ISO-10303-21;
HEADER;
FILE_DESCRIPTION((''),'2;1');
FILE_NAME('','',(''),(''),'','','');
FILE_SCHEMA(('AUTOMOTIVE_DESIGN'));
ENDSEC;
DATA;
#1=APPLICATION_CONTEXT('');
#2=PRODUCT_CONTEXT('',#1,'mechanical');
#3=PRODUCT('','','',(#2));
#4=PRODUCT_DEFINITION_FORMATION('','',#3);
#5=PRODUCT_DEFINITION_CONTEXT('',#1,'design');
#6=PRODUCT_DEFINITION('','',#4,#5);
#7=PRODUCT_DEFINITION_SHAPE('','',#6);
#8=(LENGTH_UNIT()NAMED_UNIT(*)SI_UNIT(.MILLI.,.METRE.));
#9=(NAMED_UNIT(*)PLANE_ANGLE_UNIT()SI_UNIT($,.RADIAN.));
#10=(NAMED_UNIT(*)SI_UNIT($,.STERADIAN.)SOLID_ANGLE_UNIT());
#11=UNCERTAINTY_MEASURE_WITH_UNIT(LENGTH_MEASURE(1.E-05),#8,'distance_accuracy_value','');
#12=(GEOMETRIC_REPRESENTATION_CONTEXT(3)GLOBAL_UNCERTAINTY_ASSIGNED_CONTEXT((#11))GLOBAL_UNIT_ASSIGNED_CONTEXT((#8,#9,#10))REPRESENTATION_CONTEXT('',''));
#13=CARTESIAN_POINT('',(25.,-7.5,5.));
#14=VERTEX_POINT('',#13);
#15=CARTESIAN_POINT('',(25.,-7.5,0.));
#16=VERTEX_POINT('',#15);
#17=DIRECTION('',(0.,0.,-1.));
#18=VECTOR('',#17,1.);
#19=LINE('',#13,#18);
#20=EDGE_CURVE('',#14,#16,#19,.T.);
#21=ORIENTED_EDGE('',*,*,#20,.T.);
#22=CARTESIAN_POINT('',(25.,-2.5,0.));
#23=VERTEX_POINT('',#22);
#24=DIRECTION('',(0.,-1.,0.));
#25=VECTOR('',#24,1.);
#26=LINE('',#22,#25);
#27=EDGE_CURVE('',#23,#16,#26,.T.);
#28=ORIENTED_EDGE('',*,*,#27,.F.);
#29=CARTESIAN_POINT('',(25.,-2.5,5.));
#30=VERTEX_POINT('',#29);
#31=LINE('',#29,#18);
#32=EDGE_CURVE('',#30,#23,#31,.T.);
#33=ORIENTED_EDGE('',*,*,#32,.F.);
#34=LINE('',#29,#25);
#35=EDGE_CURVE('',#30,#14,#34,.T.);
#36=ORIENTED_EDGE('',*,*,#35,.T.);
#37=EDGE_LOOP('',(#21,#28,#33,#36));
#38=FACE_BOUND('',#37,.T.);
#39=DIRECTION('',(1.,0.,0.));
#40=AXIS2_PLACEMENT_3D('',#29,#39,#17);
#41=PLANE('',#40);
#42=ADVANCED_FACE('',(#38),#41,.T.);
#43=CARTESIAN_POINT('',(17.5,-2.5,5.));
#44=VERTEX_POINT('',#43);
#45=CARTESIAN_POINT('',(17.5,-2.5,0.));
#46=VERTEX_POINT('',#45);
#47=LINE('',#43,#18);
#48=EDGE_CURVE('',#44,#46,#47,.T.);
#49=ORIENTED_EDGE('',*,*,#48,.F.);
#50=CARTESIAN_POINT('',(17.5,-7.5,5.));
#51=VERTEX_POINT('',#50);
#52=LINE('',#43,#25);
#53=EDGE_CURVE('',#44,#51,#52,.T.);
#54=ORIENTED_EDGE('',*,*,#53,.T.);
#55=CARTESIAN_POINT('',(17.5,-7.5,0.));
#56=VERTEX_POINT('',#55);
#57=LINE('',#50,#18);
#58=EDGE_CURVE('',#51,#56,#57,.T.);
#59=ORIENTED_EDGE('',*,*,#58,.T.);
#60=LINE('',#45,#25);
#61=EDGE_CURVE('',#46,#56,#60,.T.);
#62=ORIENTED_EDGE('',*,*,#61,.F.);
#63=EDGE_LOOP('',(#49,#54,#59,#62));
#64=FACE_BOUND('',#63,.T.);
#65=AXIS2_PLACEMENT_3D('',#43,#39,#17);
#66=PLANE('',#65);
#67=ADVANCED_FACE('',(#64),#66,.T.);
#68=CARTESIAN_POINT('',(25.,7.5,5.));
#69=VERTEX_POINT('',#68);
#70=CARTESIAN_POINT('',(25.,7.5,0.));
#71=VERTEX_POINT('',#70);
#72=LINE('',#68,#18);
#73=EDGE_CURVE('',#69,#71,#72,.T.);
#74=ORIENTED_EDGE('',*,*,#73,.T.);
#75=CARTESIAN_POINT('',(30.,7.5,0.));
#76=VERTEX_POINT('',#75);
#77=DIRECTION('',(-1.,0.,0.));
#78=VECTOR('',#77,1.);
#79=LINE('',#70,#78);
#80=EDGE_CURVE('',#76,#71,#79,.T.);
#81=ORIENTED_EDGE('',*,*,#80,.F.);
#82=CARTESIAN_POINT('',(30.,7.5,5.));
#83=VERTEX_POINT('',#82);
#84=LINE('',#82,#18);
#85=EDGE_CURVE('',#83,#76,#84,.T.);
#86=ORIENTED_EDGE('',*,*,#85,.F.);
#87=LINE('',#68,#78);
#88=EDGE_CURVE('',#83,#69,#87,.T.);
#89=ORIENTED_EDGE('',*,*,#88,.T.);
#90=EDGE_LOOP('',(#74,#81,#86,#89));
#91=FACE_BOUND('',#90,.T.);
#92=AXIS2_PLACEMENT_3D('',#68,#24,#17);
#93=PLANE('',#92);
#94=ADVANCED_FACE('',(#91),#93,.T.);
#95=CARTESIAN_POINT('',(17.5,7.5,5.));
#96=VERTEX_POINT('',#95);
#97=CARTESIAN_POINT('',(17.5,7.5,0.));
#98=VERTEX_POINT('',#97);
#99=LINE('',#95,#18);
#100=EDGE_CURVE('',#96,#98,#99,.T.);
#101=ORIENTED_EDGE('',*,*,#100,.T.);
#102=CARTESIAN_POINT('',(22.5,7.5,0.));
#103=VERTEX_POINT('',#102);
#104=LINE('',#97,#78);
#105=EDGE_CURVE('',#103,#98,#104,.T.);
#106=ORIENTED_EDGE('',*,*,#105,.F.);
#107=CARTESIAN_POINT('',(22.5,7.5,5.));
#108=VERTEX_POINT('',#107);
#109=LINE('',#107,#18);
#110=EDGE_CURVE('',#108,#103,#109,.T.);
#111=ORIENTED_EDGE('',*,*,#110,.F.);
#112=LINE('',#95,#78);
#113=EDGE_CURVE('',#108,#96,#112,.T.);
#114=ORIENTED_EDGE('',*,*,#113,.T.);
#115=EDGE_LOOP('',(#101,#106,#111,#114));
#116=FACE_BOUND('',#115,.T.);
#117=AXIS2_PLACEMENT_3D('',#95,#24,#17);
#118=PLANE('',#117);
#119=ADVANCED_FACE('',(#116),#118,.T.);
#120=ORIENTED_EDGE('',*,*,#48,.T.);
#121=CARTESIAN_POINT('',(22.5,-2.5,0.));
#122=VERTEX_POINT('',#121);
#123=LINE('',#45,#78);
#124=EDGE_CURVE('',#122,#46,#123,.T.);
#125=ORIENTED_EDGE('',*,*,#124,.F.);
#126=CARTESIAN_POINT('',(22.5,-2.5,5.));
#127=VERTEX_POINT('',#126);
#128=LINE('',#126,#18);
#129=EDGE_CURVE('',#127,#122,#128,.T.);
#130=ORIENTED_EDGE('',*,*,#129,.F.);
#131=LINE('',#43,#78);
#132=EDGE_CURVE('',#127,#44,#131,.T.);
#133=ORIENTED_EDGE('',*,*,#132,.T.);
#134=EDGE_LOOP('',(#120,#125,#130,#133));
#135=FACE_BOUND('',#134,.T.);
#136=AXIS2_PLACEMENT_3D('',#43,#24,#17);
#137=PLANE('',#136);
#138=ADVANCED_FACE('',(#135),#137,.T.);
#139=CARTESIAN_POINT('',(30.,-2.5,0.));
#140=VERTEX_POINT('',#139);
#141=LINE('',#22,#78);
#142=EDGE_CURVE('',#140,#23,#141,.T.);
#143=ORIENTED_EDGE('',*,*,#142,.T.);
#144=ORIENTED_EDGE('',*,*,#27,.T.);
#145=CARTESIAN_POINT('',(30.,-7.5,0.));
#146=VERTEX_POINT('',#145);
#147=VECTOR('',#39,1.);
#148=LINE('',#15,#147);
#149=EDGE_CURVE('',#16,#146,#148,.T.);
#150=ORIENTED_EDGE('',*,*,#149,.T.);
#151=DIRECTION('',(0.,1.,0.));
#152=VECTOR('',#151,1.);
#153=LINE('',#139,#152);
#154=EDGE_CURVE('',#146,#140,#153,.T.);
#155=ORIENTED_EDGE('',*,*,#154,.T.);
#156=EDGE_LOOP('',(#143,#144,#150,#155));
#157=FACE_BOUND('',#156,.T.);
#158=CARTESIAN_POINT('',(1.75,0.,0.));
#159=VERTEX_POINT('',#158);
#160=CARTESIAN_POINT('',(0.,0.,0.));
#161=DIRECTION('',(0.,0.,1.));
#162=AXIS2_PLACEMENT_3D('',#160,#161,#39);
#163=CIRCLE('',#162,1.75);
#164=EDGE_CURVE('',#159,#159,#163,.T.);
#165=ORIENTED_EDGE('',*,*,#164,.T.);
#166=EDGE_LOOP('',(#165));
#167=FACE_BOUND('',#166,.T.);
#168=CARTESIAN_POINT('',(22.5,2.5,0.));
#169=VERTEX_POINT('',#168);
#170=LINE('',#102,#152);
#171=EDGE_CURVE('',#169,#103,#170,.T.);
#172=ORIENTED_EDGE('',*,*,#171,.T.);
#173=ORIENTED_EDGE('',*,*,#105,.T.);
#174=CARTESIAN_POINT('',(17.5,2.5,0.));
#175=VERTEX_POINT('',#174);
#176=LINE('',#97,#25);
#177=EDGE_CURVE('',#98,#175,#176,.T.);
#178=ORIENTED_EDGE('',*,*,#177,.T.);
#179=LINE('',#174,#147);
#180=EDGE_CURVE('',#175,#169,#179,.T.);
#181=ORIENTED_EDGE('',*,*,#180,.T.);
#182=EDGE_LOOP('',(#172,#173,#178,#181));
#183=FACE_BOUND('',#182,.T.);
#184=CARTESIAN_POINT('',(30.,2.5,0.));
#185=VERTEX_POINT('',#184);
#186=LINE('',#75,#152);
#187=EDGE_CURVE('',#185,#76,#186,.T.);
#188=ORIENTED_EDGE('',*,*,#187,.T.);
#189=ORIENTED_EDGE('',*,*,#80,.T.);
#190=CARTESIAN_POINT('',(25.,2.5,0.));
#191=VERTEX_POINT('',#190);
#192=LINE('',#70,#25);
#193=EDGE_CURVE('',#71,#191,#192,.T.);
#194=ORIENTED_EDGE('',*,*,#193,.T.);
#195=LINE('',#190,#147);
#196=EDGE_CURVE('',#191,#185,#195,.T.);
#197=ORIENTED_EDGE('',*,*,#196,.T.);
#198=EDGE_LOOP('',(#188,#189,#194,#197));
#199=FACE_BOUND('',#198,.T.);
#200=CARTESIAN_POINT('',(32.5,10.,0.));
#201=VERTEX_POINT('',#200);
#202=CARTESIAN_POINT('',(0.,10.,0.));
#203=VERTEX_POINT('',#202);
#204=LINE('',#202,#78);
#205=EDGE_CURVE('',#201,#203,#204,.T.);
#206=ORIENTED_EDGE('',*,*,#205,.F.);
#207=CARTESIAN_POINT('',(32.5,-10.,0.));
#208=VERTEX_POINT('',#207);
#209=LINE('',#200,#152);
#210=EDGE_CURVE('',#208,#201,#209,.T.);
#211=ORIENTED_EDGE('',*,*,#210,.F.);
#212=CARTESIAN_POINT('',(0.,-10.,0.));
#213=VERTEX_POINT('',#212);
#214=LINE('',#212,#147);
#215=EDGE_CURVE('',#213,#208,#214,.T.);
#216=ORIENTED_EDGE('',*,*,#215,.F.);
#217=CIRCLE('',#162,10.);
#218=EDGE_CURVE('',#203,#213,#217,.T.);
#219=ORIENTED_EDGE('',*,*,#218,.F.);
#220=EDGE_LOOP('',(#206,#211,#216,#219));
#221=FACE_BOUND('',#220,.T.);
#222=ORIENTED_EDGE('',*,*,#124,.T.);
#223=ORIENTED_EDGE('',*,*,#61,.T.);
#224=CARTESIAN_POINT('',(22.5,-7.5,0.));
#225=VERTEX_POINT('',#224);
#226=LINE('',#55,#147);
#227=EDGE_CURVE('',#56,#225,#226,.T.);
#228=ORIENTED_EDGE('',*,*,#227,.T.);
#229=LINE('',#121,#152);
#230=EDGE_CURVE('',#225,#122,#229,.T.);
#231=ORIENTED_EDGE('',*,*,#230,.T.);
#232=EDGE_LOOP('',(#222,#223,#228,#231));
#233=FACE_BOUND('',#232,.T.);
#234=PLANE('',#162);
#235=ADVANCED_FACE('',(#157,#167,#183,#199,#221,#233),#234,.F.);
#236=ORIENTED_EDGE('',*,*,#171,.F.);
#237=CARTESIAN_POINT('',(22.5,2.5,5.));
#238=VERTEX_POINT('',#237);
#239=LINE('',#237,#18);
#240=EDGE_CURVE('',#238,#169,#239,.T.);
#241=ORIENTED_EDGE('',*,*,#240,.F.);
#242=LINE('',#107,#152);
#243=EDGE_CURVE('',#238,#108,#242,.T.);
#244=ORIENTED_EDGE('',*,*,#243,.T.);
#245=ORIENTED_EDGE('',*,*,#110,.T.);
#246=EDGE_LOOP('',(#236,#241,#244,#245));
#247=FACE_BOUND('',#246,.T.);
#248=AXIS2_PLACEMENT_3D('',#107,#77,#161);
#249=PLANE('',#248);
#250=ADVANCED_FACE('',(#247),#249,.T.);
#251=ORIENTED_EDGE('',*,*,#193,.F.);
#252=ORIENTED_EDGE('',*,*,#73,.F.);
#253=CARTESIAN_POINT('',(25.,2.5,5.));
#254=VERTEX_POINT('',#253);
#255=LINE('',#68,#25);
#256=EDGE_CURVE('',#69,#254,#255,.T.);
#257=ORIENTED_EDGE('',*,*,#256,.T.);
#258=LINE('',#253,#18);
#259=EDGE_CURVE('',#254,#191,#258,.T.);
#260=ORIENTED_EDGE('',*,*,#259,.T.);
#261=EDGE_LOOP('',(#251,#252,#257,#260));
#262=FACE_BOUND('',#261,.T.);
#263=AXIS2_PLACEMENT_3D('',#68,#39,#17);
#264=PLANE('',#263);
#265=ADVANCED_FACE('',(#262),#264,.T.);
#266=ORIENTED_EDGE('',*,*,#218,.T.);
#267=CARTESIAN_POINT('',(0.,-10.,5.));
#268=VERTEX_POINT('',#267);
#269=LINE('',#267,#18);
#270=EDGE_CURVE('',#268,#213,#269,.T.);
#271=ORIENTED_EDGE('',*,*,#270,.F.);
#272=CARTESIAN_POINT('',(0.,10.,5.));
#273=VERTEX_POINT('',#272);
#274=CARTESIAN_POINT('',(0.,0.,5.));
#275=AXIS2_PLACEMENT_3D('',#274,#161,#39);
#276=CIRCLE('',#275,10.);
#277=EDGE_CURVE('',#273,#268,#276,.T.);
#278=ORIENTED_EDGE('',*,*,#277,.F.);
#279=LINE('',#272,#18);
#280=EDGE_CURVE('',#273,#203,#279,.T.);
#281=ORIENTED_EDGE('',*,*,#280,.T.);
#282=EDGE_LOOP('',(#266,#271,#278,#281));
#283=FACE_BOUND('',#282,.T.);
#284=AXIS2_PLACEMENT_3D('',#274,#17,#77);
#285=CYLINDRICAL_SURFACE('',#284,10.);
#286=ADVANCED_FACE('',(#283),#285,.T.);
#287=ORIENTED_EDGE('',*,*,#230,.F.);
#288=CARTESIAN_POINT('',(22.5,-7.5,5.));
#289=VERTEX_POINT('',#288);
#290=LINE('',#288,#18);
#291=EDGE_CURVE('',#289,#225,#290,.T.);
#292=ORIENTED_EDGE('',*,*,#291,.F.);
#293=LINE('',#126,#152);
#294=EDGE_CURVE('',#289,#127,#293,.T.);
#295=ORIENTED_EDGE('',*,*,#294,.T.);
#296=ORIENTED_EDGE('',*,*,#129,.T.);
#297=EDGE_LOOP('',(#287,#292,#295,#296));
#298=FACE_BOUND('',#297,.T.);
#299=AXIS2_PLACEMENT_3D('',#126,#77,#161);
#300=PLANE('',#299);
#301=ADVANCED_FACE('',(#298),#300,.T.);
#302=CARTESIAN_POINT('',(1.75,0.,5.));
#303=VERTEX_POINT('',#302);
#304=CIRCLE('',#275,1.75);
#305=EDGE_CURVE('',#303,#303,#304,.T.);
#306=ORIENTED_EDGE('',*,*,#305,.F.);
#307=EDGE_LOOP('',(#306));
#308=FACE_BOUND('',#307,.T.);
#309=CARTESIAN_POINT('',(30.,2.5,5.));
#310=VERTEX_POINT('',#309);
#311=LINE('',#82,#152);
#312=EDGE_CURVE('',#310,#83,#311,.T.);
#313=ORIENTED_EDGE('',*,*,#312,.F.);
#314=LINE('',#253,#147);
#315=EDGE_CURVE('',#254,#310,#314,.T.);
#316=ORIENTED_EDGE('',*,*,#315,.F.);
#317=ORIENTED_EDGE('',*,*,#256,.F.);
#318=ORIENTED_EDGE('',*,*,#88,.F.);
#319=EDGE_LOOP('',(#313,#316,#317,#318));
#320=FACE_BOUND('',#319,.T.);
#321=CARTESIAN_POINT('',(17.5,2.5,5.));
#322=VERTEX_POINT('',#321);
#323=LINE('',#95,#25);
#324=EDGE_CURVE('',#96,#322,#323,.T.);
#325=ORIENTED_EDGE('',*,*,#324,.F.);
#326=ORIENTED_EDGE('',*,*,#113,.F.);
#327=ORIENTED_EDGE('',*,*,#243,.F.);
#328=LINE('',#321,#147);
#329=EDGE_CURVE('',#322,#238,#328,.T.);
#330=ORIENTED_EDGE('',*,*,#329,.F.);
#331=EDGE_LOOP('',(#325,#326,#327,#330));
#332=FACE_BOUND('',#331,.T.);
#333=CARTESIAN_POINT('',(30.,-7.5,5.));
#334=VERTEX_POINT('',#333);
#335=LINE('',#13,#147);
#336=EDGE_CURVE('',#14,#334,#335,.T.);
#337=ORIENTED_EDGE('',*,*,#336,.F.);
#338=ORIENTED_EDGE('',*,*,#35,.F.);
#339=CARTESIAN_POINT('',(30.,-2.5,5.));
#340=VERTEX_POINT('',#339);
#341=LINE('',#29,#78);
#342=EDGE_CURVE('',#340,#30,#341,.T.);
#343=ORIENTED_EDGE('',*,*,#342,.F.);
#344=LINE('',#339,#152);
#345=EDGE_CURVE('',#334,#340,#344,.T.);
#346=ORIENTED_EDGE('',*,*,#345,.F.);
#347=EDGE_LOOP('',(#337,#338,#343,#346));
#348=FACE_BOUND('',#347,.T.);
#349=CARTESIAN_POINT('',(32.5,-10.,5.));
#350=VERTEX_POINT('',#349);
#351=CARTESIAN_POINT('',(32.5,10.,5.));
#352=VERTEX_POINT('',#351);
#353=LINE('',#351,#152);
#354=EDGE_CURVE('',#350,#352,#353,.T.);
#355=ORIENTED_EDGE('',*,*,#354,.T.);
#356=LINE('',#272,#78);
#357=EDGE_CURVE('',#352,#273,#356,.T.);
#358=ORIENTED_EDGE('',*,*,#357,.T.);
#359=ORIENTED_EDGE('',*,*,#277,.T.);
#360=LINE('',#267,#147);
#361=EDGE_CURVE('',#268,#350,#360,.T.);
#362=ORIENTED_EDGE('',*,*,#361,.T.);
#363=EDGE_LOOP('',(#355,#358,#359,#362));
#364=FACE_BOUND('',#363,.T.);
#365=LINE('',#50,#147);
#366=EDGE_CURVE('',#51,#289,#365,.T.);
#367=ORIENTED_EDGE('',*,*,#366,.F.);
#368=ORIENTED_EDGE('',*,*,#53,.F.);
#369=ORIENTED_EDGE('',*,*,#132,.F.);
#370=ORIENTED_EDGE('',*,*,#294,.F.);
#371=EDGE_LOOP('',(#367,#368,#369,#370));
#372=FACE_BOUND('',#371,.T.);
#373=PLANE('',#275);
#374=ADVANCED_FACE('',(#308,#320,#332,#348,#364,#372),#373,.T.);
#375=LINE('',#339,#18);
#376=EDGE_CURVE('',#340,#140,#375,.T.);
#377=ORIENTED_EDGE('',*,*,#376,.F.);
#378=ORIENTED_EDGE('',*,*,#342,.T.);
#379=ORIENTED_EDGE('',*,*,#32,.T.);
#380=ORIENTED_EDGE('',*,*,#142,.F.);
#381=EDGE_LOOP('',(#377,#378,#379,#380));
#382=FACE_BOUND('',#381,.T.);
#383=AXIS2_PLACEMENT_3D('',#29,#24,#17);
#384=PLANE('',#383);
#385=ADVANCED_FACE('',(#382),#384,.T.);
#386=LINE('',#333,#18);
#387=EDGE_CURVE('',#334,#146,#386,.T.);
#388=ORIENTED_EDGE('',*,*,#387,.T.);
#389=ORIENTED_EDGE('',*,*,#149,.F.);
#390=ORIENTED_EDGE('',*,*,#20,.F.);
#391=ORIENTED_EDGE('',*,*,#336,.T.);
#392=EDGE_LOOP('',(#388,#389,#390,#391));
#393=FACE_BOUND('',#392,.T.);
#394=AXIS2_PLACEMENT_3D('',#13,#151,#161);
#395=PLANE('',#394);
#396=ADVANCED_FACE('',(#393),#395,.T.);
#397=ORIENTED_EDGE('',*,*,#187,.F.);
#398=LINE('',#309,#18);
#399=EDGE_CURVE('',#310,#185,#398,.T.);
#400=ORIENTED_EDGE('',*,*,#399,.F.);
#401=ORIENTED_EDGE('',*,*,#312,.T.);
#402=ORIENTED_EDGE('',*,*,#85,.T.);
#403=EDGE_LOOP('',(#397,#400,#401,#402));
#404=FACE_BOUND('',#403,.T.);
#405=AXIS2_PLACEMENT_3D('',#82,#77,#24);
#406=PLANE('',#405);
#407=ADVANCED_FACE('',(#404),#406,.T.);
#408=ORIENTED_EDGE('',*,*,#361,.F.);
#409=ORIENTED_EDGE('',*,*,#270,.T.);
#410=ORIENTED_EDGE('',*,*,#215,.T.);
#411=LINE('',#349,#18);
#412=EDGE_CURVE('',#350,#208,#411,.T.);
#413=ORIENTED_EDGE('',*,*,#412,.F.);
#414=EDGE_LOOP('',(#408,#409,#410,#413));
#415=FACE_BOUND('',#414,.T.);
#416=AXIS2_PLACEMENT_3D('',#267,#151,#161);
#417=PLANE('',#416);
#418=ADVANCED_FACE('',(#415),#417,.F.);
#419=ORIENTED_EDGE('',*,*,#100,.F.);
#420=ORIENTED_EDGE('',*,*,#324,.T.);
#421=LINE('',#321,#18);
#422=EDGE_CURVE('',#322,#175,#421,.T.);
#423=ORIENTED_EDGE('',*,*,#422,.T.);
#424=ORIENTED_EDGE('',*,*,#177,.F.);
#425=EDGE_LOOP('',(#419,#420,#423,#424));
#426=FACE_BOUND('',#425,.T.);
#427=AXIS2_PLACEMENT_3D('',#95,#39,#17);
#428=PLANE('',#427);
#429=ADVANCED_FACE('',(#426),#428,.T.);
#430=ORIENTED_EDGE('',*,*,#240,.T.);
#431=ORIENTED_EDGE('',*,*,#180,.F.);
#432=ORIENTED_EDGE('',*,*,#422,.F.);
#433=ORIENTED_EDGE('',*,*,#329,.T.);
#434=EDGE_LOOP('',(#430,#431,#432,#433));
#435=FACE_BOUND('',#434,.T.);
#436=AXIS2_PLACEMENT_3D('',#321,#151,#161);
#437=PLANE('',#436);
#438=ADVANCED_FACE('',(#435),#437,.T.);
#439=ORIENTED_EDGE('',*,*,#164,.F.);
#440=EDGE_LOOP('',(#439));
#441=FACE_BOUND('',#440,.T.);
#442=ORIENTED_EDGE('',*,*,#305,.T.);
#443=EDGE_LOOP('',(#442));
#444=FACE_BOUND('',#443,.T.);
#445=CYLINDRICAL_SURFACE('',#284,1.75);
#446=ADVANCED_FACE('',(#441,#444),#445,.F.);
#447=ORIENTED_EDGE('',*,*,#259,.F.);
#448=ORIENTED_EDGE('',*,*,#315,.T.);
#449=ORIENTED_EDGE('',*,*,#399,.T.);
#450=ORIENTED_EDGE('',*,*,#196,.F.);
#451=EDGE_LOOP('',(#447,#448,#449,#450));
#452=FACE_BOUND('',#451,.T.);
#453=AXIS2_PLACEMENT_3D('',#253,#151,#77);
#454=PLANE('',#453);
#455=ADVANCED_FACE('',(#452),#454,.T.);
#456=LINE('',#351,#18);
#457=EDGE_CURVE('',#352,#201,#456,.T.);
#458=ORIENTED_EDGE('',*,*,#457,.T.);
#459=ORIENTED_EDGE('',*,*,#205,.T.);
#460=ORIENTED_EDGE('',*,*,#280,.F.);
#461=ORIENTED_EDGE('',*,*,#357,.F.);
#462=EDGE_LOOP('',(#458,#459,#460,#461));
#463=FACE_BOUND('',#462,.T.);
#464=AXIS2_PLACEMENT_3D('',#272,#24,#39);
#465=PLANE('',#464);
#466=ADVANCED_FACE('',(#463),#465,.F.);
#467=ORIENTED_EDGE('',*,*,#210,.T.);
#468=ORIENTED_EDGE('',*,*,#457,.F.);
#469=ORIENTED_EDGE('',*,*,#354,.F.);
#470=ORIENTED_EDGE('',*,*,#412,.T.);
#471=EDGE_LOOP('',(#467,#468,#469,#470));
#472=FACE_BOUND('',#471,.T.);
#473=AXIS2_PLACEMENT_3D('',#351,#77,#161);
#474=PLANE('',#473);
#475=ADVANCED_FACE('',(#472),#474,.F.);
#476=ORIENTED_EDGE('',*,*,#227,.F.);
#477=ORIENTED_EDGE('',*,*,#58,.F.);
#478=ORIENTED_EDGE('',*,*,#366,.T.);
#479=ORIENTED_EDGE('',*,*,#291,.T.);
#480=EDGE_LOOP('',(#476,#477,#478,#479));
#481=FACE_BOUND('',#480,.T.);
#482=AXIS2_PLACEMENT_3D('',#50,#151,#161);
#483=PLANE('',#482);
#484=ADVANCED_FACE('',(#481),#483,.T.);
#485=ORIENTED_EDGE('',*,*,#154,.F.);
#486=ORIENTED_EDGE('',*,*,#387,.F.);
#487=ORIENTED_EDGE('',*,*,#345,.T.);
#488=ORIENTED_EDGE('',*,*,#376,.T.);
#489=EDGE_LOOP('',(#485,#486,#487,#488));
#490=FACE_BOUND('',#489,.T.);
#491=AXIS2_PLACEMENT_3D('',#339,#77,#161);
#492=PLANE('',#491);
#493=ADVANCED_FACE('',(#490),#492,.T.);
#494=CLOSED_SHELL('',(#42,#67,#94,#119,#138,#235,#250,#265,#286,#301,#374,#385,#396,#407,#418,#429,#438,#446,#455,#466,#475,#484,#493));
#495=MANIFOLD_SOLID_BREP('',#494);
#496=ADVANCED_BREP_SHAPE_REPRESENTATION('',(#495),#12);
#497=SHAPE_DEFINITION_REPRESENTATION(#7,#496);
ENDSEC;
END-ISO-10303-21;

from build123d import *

# Parameters (mm, degrees)
SKETCH1_R           = 1.75
SKETCH1_W           = 5
SKETCH1_H           = 5
BOSS_EXTRUDE1_DEPTH = 5


with BuildPart() as part:
    # Sketch1 → Boss-Extrude1 (new body)
    with BuildSketch(Plane.XY):
        with BuildLine():
            Line((0, 10), (32.5, 10))
            Line((32.5, 10), (32.5, -10))
            Line((32.5, -10), (0, -10))
            ThreePointArc((0, -10), (-10, 0), (0, 10))
        make_face()
        Circle(SKETCH1_R, mode=Mode.SUBTRACT)
        with Locations((27.5, 5)):
            Rectangle(SKETCH1_W, SKETCH1_H, mode=Mode.SUBTRACT)
        with Locations((27.5, -5)):
            Rectangle(SKETCH1_W, SKETCH1_H, mode=Mode.SUBTRACT)
        with Locations((20, -5)):
            Rectangle(SKETCH1_W, SKETCH1_H, mode=Mode.SUBTRACT)
        with Locations((20, 5)):
            Rectangle(SKETCH1_W, SKETCH1_H, mode=Mode.SUBTRACT)
    extrude(amount=BOSS_EXTRUDE1_DEPTH)


solid = part.part
